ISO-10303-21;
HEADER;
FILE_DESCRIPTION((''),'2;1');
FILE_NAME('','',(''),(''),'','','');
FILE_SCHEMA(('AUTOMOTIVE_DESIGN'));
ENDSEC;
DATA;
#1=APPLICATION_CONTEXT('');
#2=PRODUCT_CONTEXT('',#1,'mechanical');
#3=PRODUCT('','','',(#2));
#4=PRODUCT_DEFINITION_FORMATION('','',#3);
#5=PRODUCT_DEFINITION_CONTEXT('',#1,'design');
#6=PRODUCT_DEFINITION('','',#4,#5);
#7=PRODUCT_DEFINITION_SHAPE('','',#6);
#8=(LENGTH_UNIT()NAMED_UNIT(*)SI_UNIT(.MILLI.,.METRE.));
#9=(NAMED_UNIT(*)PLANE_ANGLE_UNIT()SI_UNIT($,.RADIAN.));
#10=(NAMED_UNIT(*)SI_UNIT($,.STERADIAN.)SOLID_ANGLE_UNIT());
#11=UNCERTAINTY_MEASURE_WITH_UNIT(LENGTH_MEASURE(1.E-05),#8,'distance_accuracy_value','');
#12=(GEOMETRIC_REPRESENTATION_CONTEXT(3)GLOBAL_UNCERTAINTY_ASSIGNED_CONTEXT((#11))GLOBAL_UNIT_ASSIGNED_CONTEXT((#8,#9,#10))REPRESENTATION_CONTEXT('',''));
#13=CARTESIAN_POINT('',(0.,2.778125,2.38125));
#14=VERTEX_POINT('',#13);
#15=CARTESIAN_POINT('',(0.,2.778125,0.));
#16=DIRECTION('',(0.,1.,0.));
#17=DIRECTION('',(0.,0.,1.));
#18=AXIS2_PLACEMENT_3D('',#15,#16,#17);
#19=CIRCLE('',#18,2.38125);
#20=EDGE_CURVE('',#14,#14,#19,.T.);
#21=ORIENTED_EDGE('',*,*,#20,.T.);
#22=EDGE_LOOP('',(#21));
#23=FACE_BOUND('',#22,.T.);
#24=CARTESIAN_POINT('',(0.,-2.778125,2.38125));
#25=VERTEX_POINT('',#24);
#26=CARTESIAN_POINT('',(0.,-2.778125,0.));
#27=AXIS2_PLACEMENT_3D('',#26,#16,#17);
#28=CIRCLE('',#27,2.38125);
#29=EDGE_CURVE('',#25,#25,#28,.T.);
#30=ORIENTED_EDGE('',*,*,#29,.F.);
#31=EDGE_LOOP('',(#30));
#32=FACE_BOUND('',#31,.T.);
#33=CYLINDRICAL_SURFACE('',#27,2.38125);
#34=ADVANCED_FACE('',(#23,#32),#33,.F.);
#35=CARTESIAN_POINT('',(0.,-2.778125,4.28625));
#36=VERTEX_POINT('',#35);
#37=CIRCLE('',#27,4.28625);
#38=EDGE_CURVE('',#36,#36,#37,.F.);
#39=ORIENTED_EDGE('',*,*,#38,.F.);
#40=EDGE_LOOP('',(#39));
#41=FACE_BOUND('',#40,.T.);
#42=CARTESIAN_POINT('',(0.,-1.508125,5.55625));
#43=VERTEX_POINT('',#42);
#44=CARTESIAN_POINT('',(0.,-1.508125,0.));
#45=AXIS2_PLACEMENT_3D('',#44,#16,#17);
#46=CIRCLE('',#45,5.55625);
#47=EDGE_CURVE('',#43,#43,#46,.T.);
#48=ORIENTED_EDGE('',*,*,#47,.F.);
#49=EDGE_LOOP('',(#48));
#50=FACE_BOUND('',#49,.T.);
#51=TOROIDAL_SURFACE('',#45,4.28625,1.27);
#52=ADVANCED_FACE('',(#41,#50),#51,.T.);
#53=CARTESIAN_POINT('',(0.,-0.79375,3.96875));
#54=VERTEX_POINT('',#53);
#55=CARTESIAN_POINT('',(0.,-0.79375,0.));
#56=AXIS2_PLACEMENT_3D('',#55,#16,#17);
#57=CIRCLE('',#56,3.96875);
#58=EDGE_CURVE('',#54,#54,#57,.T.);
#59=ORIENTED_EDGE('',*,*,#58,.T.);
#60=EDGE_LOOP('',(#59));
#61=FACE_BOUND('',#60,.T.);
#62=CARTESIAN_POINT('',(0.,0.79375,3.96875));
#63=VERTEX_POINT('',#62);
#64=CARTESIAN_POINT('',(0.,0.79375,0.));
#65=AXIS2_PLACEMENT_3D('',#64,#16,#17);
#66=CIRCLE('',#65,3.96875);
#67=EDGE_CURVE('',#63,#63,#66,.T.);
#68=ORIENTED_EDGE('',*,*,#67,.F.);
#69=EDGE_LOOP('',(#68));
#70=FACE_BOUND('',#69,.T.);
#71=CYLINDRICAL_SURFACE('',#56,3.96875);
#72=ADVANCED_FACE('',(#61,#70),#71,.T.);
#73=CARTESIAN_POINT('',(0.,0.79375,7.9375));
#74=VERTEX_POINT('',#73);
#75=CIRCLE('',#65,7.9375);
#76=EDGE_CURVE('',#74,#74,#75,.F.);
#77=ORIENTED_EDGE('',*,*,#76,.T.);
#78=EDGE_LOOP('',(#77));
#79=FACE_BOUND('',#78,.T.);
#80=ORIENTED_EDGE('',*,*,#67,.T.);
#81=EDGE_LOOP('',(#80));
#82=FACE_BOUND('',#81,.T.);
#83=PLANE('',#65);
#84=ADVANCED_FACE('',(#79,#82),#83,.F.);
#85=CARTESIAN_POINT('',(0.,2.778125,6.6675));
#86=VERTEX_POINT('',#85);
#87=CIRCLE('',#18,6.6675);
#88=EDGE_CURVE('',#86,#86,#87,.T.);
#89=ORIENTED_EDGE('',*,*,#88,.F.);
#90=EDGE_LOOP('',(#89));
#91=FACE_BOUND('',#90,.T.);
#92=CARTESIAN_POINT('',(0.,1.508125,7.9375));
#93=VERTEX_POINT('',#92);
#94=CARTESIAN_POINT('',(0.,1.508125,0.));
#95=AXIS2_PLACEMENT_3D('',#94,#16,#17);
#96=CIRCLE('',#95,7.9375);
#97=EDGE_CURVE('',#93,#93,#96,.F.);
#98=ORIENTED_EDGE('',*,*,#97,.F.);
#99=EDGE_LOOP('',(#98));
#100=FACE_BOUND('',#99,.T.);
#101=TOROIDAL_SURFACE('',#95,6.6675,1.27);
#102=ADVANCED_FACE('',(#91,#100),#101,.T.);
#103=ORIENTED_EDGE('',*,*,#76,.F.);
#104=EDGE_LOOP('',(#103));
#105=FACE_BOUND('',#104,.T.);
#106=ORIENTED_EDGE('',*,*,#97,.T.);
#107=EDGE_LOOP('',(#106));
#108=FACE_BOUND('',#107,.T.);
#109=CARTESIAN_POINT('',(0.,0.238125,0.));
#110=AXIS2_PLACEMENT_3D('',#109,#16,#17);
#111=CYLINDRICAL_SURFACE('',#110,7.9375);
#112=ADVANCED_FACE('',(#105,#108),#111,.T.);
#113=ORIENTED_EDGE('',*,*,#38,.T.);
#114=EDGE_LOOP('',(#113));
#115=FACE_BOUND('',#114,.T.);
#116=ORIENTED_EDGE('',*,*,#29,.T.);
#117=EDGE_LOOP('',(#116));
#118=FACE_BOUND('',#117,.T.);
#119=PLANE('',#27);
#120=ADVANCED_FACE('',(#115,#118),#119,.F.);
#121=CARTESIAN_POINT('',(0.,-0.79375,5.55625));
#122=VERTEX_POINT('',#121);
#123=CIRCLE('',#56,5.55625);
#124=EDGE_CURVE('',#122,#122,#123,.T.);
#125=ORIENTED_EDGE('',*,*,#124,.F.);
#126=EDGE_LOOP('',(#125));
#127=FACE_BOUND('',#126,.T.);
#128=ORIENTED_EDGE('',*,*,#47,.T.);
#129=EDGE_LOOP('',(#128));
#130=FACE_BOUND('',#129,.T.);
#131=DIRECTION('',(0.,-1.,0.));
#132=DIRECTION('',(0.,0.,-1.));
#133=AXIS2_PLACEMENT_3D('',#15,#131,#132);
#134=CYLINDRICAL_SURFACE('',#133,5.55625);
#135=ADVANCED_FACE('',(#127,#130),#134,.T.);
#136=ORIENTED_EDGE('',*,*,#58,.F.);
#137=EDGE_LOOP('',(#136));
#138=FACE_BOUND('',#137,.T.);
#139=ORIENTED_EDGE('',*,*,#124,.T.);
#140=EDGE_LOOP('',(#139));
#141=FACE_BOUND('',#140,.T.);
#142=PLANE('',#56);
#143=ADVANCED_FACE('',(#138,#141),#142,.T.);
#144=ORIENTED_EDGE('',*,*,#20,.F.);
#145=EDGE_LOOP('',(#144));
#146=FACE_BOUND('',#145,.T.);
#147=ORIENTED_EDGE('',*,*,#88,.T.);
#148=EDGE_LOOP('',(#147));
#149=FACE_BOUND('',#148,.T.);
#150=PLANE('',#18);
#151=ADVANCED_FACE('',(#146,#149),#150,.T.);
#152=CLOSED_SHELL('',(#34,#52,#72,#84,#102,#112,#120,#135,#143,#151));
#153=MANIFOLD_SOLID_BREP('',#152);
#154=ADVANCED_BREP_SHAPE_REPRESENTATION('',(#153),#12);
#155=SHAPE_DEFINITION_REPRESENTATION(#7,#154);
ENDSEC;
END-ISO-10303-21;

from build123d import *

# Parameters (mm, degrees)
SKETCH1_R           = 5.55625
BOSS_EXTRUDE1_DEPTH = 2.778125
SKETCH2_R           = 7.9375
BOSS_EXTRUDE2_DEPTH = 2.54
SKETCH3_R           = 8.070808391
SKETCH3_R_2         = 3.96875
CUT_EXTRUDE1_DEPTH  = 0.79375
SKETCH4_R           = 2.38125
CUT_EXTRUDE2_DEPTH  = 13.525163734
FILLET1_R           = 1.27


with BuildPart() as part:
    # Sketch1 → Boss-Extrude1 (new, symmetric)
    with BuildSketch(Plane(origin=(0, 0, 0), x_dir=(1, 0, 0), z_dir=(0, 1, 0))):
        with Locations(Location((0, 0, 0), (0, 0, 270))):
            Circle(SKETCH1_R)
    extrude(amount=BOSS_EXTRUDE1_DEPTH, both=True)

    # Sketch2 → Boss-Extrude2 (add)
    with BuildSketch(Plane(origin=(0, 2.778125, 0), x_dir=(1, 0, 0), z_dir=(0, 1, 0))):
        with Locations(Location((0, 0, 0), (0, 0, 270))):
            Circle(SKETCH2_R)
    extrude(amount=-BOSS_EXTRUDE2_DEPTH)

    # Sketch3 → Cut-Extrude1 (cut, symmetric)
    with BuildSketch(Plane(origin=(0, 0, 0), x_dir=(1, 0, 0), z_dir=(0, 1, 0))):
        Circle(SKETCH3_R)
        with Locations(Location((0, 0, 0), (0, 0, 270))):
            Circle(SKETCH3_R_2, mode=Mode.SUBTRACT)
    extrude(amount=CUT_EXTRUDE1_DEPTH, both=True, mode=Mode.SUBTRACT)

    # Sketch4 → Cut-Extrude2 (cut, through all)
    with BuildSketch(Plane(origin=(0, 2.778125, 0), x_dir=(1, 0, 0), z_dir=(0, 1, 0))):
        with Locations(Location((0, 0, 0), (0, 0, 270))):
            Circle(SKETCH4_R)
    extrude(amount=-CUT_EXTRUDE2_DEPTH, mode=Mode.SUBTRACT)

    # Fillet1
    fillet1_edges = [part.edges().sort_by_distance(p)[0] for p in [
        (0, -2.778125, -5.55625),
        (0, 2.778125, -7.9375),
    ]]
    fillet(fillet1_edges, radius=FILLET1_R)


solid = part.part
